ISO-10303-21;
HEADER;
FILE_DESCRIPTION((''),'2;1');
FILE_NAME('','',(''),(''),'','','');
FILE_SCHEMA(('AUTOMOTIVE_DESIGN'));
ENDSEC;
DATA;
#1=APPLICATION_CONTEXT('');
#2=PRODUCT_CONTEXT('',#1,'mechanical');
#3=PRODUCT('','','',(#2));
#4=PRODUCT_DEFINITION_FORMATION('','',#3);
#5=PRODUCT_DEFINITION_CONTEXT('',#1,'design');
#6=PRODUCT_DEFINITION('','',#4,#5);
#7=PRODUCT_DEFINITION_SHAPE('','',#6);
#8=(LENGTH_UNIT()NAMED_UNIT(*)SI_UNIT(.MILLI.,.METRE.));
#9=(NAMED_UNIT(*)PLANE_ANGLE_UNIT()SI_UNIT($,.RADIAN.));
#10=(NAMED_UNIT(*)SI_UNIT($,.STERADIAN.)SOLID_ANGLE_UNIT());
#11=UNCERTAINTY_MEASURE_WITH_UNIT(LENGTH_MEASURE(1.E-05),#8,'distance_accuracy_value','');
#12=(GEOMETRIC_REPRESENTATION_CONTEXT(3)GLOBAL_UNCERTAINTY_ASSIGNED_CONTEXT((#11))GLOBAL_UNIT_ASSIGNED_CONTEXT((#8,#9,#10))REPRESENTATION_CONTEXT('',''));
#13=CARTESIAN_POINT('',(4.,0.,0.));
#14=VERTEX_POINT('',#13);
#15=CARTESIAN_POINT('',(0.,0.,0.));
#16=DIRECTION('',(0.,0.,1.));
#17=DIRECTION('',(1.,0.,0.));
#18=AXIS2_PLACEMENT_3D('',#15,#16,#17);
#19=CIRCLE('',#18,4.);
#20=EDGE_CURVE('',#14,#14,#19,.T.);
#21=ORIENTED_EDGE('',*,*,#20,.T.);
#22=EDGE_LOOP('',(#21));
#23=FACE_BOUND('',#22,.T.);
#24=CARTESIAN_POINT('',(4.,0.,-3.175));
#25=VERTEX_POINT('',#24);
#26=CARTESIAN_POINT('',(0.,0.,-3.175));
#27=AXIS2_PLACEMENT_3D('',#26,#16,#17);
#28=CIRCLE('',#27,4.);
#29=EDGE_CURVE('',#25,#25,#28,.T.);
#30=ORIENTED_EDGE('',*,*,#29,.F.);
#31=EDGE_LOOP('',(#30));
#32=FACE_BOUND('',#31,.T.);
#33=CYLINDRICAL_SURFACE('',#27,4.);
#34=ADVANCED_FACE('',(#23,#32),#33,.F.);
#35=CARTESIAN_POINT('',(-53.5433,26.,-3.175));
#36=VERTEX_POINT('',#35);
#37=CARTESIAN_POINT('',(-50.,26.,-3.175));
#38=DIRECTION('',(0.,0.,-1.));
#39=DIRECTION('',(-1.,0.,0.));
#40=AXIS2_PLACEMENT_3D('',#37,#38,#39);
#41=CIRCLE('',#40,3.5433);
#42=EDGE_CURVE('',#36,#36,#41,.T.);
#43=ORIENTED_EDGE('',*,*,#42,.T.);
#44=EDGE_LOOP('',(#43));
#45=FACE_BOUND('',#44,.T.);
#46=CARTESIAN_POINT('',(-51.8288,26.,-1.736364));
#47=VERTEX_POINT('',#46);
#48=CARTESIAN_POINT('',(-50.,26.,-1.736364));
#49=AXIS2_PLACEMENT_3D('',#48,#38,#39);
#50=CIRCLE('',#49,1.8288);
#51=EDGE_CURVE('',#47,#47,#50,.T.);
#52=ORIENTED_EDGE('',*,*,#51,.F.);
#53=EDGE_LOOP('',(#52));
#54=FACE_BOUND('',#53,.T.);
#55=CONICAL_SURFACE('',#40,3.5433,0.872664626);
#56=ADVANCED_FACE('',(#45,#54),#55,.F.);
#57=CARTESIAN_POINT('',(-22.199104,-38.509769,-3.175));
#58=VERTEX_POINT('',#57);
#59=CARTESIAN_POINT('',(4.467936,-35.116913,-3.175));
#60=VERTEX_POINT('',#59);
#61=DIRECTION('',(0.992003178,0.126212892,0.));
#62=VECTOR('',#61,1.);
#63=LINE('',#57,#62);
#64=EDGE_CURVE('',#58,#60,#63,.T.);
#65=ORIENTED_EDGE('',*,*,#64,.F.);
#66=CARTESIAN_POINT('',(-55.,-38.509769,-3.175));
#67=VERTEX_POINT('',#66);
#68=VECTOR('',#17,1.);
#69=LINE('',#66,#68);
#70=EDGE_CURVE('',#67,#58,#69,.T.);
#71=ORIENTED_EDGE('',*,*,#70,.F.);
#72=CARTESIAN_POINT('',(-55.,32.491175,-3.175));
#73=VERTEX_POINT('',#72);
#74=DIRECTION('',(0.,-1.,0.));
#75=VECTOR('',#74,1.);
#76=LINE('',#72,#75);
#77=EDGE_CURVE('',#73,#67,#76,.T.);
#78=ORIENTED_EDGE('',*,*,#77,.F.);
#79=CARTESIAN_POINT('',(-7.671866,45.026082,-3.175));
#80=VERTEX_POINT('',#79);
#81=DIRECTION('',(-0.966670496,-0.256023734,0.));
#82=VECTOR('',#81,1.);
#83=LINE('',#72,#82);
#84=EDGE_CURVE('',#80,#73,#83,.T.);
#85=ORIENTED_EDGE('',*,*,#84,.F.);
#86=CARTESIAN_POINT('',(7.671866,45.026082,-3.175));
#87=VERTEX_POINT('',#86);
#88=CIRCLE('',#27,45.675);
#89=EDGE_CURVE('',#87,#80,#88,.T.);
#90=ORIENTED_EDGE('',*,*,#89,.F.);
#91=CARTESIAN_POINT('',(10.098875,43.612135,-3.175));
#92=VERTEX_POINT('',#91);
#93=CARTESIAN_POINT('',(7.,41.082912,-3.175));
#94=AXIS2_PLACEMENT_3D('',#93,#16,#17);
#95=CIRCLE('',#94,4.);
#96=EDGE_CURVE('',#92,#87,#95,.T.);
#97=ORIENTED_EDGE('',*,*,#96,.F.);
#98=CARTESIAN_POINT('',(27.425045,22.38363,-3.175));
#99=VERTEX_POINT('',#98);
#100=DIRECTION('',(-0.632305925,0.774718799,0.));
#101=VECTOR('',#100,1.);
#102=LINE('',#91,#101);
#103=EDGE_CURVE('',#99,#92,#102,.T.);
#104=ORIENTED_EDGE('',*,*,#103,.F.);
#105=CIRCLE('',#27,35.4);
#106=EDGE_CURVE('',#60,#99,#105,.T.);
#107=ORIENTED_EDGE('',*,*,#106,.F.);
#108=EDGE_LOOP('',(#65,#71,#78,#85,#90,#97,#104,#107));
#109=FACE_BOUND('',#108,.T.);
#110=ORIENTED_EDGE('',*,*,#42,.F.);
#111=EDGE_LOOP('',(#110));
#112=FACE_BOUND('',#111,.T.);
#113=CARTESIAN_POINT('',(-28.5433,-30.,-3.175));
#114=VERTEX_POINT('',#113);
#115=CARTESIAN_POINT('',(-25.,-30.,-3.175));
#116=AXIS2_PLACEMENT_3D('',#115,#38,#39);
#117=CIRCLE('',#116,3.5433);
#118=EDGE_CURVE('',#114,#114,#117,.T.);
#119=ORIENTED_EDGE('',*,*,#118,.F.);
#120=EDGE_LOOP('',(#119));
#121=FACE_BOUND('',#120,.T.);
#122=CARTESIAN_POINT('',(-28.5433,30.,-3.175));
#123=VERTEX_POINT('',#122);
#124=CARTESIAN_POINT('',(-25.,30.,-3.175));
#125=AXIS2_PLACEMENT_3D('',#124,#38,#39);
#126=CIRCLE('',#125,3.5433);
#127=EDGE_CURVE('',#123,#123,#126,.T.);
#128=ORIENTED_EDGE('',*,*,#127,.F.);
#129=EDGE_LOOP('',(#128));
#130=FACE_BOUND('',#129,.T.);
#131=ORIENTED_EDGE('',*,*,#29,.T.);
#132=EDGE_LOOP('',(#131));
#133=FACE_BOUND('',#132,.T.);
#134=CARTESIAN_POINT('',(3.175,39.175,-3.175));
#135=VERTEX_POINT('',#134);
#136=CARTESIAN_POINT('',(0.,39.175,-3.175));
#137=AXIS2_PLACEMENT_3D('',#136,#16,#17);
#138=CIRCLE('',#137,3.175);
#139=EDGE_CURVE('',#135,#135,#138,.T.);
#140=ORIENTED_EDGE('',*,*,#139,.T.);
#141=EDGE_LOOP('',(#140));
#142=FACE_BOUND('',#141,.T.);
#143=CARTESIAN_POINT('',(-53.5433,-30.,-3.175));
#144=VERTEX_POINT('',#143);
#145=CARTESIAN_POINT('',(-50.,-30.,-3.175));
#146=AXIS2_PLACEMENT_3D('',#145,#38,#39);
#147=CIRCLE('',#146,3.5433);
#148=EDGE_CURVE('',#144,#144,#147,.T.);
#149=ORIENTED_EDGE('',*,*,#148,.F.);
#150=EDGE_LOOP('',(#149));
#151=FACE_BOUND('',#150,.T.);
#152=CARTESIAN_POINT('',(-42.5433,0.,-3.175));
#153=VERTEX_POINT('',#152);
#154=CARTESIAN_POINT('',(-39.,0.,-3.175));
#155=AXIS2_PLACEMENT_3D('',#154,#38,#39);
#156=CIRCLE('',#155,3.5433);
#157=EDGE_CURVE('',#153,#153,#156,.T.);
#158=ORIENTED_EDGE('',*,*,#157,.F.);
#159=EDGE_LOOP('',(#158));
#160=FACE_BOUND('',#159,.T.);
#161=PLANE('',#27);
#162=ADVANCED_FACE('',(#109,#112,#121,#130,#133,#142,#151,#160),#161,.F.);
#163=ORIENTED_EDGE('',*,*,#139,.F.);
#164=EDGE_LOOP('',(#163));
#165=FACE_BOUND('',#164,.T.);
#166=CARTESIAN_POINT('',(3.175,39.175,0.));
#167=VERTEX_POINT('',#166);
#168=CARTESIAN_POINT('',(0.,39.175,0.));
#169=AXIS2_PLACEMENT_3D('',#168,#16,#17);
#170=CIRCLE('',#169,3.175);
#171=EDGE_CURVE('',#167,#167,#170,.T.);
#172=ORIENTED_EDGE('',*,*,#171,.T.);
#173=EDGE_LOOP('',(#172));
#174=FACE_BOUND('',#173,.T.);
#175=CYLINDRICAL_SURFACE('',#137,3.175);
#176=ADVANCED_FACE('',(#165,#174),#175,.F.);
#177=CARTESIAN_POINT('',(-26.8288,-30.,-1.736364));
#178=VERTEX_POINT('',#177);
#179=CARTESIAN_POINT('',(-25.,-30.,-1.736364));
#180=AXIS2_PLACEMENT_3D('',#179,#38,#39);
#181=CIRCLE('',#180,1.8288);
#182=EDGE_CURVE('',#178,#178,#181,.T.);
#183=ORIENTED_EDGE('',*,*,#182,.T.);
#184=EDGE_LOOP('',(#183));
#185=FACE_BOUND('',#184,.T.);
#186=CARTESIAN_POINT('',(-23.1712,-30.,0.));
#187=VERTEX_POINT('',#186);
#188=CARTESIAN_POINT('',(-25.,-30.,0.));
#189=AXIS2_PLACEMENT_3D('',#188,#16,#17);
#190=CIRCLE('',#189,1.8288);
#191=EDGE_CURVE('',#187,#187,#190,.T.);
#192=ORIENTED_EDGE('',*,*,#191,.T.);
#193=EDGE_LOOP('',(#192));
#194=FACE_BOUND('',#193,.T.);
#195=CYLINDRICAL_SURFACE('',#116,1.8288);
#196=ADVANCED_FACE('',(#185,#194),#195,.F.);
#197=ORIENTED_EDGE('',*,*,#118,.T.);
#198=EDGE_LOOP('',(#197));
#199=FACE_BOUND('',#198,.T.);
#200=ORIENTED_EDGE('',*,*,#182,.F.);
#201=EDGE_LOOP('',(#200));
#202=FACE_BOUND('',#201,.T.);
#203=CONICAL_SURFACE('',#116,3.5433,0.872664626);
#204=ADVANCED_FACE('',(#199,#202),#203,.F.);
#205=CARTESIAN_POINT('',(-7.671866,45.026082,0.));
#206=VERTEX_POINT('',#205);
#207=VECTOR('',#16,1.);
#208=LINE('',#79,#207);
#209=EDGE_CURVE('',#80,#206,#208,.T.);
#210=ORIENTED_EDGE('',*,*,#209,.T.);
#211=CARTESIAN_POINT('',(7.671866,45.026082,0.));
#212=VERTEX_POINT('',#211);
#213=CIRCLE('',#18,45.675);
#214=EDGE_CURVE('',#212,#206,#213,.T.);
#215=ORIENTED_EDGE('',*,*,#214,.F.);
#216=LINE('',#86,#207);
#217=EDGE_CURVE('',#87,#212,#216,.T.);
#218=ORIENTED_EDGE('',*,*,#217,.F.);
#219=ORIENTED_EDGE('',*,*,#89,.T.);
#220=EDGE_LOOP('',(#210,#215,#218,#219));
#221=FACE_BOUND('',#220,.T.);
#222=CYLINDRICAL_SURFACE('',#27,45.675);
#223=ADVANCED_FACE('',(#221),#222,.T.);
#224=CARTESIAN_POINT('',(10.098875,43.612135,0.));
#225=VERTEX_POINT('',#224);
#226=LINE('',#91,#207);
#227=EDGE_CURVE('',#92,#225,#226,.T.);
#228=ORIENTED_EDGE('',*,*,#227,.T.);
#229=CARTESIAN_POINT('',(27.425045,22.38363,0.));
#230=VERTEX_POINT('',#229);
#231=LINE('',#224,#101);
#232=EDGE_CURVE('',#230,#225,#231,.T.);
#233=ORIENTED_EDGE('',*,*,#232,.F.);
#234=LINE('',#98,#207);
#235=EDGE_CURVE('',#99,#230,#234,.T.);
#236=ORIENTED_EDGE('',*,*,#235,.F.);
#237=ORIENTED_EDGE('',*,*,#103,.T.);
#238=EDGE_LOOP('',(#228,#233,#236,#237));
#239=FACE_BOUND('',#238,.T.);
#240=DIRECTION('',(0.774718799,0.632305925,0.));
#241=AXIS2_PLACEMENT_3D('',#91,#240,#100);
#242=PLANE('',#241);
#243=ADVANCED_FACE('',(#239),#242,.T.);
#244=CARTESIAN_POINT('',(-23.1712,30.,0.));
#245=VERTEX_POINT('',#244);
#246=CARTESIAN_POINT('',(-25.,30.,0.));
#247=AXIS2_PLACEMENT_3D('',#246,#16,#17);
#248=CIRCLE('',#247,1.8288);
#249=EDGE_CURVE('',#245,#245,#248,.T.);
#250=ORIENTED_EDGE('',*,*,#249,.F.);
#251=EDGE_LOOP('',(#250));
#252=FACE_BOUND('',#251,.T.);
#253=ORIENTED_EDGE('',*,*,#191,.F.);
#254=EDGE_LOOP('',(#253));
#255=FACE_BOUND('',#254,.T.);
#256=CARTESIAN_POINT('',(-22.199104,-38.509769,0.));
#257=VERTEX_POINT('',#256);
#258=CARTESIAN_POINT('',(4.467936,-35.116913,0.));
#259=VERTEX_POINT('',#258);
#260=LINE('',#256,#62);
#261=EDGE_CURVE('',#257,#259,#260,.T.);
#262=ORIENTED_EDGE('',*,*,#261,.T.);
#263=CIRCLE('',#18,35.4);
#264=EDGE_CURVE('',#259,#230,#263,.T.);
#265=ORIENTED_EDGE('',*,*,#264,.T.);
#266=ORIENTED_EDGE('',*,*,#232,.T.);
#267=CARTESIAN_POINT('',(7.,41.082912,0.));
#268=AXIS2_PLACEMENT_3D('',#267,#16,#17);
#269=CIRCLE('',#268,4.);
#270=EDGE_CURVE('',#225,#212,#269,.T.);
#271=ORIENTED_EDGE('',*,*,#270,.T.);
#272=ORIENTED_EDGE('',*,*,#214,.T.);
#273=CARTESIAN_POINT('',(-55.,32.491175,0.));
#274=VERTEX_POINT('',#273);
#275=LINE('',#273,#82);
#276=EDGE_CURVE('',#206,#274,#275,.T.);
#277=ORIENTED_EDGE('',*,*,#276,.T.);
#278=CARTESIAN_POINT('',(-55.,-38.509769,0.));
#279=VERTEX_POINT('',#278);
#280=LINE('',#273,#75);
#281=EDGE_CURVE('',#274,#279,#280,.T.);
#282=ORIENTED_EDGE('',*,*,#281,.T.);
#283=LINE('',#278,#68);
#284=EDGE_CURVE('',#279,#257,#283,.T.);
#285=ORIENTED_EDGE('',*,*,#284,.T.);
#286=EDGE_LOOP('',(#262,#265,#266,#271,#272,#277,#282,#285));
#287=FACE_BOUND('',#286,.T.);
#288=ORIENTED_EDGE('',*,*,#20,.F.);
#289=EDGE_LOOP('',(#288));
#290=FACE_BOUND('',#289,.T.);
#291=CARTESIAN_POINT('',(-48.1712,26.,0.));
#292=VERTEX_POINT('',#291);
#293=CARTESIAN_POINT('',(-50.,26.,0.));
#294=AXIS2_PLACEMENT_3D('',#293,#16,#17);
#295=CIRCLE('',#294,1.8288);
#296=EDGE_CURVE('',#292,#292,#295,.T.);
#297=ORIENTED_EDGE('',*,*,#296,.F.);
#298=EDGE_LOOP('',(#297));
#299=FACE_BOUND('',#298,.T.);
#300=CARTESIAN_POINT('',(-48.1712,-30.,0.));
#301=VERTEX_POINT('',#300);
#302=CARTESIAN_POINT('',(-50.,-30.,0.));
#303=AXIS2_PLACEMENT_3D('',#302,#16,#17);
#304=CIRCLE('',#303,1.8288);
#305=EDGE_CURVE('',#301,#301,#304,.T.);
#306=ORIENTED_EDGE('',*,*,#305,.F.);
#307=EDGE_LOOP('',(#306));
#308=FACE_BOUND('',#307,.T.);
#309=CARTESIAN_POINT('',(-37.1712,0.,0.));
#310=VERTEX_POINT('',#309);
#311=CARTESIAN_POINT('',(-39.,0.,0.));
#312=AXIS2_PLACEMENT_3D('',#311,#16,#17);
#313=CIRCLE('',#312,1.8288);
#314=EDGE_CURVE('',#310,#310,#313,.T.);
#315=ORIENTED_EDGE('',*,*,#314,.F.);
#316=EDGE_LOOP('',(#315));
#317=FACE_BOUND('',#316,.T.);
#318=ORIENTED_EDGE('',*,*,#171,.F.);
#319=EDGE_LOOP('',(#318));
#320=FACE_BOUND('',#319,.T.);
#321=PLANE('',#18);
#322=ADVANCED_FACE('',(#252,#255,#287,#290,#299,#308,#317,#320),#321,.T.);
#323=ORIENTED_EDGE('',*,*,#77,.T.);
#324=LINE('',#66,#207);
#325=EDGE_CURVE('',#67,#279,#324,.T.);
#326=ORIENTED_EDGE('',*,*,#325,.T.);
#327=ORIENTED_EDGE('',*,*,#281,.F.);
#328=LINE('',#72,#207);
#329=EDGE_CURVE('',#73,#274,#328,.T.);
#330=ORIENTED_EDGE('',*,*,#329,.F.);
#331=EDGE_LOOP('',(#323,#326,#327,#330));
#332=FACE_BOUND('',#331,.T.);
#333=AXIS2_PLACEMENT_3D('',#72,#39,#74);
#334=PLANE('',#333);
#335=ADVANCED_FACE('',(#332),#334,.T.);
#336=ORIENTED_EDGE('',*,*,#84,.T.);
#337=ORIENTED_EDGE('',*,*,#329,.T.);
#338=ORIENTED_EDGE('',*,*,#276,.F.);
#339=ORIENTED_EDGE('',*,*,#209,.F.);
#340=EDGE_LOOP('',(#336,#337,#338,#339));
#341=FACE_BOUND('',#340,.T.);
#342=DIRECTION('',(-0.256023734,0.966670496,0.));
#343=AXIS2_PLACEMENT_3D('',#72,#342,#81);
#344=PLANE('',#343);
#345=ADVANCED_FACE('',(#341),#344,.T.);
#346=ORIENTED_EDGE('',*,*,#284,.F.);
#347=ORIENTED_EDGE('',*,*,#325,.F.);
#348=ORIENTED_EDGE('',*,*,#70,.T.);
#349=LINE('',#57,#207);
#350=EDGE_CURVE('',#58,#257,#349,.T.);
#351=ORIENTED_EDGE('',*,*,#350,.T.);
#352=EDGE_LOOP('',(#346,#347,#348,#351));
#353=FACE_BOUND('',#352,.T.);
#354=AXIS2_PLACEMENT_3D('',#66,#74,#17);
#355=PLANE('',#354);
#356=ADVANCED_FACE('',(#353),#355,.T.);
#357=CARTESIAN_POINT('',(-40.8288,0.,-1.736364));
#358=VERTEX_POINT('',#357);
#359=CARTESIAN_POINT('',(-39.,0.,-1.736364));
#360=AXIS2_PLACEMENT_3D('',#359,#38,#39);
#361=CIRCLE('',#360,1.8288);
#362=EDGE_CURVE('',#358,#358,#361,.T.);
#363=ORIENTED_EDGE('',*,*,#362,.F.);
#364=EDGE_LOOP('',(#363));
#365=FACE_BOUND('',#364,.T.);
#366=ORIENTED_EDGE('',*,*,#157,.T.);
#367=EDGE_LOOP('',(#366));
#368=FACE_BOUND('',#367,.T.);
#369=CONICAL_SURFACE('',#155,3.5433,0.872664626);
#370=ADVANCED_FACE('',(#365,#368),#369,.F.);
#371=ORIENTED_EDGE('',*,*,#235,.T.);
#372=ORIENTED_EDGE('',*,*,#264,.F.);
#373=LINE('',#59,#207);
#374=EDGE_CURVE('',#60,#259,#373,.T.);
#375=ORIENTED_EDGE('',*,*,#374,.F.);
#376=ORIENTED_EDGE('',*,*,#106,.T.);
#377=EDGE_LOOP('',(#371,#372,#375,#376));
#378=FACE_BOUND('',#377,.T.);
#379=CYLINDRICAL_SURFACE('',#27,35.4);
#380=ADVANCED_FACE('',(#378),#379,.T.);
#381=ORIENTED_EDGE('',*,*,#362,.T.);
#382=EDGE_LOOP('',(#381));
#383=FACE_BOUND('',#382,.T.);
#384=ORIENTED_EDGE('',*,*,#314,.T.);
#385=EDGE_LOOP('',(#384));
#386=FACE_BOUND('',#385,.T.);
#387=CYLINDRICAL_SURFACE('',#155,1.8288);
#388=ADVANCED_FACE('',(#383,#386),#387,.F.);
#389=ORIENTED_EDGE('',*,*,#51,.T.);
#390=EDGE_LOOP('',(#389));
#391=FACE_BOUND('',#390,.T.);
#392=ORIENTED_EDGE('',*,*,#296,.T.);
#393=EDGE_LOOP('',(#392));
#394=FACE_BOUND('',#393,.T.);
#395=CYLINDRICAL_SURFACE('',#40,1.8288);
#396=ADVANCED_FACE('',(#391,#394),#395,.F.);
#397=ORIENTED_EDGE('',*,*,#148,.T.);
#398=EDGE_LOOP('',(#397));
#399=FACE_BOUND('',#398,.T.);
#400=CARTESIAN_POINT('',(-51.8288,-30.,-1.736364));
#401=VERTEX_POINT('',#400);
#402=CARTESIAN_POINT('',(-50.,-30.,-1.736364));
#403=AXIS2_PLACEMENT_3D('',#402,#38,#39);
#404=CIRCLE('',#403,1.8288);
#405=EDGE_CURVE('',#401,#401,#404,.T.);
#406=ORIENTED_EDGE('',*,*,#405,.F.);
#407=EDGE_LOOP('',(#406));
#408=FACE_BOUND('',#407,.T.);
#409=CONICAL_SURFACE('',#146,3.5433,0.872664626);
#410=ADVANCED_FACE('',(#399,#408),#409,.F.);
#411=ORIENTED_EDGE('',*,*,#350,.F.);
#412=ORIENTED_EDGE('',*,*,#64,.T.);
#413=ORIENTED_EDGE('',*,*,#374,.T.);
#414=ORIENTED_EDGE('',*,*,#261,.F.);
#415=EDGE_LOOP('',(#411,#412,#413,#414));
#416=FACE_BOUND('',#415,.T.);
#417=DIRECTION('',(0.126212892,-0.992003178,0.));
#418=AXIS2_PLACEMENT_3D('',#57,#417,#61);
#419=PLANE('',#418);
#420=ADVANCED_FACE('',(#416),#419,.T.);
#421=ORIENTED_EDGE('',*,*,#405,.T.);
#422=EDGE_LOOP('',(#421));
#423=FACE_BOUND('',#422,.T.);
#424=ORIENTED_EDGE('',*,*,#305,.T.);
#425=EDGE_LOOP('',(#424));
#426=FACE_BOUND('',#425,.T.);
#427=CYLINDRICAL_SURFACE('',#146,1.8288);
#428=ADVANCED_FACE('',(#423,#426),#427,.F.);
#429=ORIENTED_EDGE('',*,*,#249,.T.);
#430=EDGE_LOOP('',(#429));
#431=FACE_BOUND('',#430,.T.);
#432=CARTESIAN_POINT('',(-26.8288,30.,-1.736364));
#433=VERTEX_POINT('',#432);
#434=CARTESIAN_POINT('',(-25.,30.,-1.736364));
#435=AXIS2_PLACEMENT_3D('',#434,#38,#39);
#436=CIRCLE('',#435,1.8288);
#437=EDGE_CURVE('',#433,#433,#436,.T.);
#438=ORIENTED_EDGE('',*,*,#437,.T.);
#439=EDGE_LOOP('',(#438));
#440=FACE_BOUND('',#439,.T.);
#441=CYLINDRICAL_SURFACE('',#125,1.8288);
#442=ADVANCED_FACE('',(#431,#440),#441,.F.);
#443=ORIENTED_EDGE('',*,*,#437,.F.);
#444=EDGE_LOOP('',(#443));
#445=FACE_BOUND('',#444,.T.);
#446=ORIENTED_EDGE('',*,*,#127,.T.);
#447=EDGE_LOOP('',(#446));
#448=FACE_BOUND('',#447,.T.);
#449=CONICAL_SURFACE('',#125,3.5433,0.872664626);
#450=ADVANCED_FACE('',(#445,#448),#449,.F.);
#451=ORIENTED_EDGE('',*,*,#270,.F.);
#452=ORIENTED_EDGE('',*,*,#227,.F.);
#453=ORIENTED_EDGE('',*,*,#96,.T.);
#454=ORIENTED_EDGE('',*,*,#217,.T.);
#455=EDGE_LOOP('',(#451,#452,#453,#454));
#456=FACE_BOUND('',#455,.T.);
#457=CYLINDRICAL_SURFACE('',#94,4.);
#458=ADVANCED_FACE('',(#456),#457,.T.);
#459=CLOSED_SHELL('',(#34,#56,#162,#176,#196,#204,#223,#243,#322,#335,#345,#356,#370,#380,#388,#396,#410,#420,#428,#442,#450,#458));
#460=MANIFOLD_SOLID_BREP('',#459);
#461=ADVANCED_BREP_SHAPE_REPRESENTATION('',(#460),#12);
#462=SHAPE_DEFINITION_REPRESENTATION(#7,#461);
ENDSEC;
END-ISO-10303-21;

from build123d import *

# Parameters (mm, degrees)
SKETCH1_R                                         = 3.175
SKETCH1_R_2                                       = 4
BOSS_EXTRUDE1_DEPTH                               = 3.175
CSK_FOR_6_FLAT_HEAD_MACHINE_SCREW_100_D           = 3.6576
CSK_FOR_6_FLAT_HEAD_MACHINE_SCREW_100_DEPTH       = 8
CSK_FOR_6_FLAT_HEAD_MACHINE_SCREW_100_CSINK_D     = 7.0866
CSK_FOR_6_FLAT_HEAD_MACHINE_SCREW_100_CSINK_ANGLE = 100
CSK_FOR_6_FLAT_HEAD_MACHINE_SCREW_100_TIP         = 1.0988539


with BuildPart() as part:
    # Sketch1 → Boss-Extrude1 (new body)
    with BuildSketch(Plane.XY):
        with BuildLine():
            Line((-55, -38.509768834), (-22.199103684, -38.509768834))
            Line((-22.199103684, -38.509768834), (4.467936384, -35.116912513))
            ThreePointArc((4.467936384, -35.116912513), (32.876567079, -13.125979473), (27.425045484, 22.383629737))
            Line((27.425045484, 22.383629737), (10.098875196, 43.612135293))
            ThreePointArc((10.098875196, 43.612135293), (9.013562327, 44.539147516), (7.671865627, 45.026082472))
            ThreePointArc((7.671865627, 45.026082472), (0, 45.675), (-7.671865627, 45.026082472))
            Line((-7.671865627, 45.026082472), (-55, 32.491174512))
            Line((-55, 32.491174512), (-55, -38.509768834))
        make_face()
        with Locations((0, 39.175)):
            Circle(SKETCH1_R, mode=Mode.SUBTRACT)
        Circle(SKETCH1_R_2, mode=Mode.SUBTRACT)
    extrude(amount=-BOSS_EXTRUDE1_DEPTH)

    # CSK for #6 Flat Head Machine Screw (100)1
    with Locations(Plane(origin=(0, 0, -3.175), x_dir=(-1, 0, 0), z_dir=(0, 0, -1))):
        with Locations((50, 26), (39, 0), (50, -30), (25, 30), (25, -30)):
            CounterSinkHole(CSK_FOR_6_FLAT_HEAD_MACHINE_SCREW_100_D / 2, CSK_FOR_6_FLAT_HEAD_MACHINE_SCREW_100_CSINK_D / 2, depth=CSK_FOR_6_FLAT_HEAD_MACHINE_SCREW_100_DEPTH, counter_sink_angle=CSK_FOR_6_FLAT_HEAD_MACHINE_SCREW_100_CSINK_ANGLE)
            with Locations((0, 0, -(CSK_FOR_6_FLAT_HEAD_MACHINE_SCREW_100_DEPTH + CSK_FOR_6_FLAT_HEAD_MACHINE_SCREW_100_TIP / 2))):  # 118° drill point
                Cone(0, CSK_FOR_6_FLAT_HEAD_MACHINE_SCREW_100_D / 2, CSK_FOR_6_FLAT_HEAD_MACHINE_SCREW_100_TIP, mode=Mode.SUBTRACT)


solid = part.part
